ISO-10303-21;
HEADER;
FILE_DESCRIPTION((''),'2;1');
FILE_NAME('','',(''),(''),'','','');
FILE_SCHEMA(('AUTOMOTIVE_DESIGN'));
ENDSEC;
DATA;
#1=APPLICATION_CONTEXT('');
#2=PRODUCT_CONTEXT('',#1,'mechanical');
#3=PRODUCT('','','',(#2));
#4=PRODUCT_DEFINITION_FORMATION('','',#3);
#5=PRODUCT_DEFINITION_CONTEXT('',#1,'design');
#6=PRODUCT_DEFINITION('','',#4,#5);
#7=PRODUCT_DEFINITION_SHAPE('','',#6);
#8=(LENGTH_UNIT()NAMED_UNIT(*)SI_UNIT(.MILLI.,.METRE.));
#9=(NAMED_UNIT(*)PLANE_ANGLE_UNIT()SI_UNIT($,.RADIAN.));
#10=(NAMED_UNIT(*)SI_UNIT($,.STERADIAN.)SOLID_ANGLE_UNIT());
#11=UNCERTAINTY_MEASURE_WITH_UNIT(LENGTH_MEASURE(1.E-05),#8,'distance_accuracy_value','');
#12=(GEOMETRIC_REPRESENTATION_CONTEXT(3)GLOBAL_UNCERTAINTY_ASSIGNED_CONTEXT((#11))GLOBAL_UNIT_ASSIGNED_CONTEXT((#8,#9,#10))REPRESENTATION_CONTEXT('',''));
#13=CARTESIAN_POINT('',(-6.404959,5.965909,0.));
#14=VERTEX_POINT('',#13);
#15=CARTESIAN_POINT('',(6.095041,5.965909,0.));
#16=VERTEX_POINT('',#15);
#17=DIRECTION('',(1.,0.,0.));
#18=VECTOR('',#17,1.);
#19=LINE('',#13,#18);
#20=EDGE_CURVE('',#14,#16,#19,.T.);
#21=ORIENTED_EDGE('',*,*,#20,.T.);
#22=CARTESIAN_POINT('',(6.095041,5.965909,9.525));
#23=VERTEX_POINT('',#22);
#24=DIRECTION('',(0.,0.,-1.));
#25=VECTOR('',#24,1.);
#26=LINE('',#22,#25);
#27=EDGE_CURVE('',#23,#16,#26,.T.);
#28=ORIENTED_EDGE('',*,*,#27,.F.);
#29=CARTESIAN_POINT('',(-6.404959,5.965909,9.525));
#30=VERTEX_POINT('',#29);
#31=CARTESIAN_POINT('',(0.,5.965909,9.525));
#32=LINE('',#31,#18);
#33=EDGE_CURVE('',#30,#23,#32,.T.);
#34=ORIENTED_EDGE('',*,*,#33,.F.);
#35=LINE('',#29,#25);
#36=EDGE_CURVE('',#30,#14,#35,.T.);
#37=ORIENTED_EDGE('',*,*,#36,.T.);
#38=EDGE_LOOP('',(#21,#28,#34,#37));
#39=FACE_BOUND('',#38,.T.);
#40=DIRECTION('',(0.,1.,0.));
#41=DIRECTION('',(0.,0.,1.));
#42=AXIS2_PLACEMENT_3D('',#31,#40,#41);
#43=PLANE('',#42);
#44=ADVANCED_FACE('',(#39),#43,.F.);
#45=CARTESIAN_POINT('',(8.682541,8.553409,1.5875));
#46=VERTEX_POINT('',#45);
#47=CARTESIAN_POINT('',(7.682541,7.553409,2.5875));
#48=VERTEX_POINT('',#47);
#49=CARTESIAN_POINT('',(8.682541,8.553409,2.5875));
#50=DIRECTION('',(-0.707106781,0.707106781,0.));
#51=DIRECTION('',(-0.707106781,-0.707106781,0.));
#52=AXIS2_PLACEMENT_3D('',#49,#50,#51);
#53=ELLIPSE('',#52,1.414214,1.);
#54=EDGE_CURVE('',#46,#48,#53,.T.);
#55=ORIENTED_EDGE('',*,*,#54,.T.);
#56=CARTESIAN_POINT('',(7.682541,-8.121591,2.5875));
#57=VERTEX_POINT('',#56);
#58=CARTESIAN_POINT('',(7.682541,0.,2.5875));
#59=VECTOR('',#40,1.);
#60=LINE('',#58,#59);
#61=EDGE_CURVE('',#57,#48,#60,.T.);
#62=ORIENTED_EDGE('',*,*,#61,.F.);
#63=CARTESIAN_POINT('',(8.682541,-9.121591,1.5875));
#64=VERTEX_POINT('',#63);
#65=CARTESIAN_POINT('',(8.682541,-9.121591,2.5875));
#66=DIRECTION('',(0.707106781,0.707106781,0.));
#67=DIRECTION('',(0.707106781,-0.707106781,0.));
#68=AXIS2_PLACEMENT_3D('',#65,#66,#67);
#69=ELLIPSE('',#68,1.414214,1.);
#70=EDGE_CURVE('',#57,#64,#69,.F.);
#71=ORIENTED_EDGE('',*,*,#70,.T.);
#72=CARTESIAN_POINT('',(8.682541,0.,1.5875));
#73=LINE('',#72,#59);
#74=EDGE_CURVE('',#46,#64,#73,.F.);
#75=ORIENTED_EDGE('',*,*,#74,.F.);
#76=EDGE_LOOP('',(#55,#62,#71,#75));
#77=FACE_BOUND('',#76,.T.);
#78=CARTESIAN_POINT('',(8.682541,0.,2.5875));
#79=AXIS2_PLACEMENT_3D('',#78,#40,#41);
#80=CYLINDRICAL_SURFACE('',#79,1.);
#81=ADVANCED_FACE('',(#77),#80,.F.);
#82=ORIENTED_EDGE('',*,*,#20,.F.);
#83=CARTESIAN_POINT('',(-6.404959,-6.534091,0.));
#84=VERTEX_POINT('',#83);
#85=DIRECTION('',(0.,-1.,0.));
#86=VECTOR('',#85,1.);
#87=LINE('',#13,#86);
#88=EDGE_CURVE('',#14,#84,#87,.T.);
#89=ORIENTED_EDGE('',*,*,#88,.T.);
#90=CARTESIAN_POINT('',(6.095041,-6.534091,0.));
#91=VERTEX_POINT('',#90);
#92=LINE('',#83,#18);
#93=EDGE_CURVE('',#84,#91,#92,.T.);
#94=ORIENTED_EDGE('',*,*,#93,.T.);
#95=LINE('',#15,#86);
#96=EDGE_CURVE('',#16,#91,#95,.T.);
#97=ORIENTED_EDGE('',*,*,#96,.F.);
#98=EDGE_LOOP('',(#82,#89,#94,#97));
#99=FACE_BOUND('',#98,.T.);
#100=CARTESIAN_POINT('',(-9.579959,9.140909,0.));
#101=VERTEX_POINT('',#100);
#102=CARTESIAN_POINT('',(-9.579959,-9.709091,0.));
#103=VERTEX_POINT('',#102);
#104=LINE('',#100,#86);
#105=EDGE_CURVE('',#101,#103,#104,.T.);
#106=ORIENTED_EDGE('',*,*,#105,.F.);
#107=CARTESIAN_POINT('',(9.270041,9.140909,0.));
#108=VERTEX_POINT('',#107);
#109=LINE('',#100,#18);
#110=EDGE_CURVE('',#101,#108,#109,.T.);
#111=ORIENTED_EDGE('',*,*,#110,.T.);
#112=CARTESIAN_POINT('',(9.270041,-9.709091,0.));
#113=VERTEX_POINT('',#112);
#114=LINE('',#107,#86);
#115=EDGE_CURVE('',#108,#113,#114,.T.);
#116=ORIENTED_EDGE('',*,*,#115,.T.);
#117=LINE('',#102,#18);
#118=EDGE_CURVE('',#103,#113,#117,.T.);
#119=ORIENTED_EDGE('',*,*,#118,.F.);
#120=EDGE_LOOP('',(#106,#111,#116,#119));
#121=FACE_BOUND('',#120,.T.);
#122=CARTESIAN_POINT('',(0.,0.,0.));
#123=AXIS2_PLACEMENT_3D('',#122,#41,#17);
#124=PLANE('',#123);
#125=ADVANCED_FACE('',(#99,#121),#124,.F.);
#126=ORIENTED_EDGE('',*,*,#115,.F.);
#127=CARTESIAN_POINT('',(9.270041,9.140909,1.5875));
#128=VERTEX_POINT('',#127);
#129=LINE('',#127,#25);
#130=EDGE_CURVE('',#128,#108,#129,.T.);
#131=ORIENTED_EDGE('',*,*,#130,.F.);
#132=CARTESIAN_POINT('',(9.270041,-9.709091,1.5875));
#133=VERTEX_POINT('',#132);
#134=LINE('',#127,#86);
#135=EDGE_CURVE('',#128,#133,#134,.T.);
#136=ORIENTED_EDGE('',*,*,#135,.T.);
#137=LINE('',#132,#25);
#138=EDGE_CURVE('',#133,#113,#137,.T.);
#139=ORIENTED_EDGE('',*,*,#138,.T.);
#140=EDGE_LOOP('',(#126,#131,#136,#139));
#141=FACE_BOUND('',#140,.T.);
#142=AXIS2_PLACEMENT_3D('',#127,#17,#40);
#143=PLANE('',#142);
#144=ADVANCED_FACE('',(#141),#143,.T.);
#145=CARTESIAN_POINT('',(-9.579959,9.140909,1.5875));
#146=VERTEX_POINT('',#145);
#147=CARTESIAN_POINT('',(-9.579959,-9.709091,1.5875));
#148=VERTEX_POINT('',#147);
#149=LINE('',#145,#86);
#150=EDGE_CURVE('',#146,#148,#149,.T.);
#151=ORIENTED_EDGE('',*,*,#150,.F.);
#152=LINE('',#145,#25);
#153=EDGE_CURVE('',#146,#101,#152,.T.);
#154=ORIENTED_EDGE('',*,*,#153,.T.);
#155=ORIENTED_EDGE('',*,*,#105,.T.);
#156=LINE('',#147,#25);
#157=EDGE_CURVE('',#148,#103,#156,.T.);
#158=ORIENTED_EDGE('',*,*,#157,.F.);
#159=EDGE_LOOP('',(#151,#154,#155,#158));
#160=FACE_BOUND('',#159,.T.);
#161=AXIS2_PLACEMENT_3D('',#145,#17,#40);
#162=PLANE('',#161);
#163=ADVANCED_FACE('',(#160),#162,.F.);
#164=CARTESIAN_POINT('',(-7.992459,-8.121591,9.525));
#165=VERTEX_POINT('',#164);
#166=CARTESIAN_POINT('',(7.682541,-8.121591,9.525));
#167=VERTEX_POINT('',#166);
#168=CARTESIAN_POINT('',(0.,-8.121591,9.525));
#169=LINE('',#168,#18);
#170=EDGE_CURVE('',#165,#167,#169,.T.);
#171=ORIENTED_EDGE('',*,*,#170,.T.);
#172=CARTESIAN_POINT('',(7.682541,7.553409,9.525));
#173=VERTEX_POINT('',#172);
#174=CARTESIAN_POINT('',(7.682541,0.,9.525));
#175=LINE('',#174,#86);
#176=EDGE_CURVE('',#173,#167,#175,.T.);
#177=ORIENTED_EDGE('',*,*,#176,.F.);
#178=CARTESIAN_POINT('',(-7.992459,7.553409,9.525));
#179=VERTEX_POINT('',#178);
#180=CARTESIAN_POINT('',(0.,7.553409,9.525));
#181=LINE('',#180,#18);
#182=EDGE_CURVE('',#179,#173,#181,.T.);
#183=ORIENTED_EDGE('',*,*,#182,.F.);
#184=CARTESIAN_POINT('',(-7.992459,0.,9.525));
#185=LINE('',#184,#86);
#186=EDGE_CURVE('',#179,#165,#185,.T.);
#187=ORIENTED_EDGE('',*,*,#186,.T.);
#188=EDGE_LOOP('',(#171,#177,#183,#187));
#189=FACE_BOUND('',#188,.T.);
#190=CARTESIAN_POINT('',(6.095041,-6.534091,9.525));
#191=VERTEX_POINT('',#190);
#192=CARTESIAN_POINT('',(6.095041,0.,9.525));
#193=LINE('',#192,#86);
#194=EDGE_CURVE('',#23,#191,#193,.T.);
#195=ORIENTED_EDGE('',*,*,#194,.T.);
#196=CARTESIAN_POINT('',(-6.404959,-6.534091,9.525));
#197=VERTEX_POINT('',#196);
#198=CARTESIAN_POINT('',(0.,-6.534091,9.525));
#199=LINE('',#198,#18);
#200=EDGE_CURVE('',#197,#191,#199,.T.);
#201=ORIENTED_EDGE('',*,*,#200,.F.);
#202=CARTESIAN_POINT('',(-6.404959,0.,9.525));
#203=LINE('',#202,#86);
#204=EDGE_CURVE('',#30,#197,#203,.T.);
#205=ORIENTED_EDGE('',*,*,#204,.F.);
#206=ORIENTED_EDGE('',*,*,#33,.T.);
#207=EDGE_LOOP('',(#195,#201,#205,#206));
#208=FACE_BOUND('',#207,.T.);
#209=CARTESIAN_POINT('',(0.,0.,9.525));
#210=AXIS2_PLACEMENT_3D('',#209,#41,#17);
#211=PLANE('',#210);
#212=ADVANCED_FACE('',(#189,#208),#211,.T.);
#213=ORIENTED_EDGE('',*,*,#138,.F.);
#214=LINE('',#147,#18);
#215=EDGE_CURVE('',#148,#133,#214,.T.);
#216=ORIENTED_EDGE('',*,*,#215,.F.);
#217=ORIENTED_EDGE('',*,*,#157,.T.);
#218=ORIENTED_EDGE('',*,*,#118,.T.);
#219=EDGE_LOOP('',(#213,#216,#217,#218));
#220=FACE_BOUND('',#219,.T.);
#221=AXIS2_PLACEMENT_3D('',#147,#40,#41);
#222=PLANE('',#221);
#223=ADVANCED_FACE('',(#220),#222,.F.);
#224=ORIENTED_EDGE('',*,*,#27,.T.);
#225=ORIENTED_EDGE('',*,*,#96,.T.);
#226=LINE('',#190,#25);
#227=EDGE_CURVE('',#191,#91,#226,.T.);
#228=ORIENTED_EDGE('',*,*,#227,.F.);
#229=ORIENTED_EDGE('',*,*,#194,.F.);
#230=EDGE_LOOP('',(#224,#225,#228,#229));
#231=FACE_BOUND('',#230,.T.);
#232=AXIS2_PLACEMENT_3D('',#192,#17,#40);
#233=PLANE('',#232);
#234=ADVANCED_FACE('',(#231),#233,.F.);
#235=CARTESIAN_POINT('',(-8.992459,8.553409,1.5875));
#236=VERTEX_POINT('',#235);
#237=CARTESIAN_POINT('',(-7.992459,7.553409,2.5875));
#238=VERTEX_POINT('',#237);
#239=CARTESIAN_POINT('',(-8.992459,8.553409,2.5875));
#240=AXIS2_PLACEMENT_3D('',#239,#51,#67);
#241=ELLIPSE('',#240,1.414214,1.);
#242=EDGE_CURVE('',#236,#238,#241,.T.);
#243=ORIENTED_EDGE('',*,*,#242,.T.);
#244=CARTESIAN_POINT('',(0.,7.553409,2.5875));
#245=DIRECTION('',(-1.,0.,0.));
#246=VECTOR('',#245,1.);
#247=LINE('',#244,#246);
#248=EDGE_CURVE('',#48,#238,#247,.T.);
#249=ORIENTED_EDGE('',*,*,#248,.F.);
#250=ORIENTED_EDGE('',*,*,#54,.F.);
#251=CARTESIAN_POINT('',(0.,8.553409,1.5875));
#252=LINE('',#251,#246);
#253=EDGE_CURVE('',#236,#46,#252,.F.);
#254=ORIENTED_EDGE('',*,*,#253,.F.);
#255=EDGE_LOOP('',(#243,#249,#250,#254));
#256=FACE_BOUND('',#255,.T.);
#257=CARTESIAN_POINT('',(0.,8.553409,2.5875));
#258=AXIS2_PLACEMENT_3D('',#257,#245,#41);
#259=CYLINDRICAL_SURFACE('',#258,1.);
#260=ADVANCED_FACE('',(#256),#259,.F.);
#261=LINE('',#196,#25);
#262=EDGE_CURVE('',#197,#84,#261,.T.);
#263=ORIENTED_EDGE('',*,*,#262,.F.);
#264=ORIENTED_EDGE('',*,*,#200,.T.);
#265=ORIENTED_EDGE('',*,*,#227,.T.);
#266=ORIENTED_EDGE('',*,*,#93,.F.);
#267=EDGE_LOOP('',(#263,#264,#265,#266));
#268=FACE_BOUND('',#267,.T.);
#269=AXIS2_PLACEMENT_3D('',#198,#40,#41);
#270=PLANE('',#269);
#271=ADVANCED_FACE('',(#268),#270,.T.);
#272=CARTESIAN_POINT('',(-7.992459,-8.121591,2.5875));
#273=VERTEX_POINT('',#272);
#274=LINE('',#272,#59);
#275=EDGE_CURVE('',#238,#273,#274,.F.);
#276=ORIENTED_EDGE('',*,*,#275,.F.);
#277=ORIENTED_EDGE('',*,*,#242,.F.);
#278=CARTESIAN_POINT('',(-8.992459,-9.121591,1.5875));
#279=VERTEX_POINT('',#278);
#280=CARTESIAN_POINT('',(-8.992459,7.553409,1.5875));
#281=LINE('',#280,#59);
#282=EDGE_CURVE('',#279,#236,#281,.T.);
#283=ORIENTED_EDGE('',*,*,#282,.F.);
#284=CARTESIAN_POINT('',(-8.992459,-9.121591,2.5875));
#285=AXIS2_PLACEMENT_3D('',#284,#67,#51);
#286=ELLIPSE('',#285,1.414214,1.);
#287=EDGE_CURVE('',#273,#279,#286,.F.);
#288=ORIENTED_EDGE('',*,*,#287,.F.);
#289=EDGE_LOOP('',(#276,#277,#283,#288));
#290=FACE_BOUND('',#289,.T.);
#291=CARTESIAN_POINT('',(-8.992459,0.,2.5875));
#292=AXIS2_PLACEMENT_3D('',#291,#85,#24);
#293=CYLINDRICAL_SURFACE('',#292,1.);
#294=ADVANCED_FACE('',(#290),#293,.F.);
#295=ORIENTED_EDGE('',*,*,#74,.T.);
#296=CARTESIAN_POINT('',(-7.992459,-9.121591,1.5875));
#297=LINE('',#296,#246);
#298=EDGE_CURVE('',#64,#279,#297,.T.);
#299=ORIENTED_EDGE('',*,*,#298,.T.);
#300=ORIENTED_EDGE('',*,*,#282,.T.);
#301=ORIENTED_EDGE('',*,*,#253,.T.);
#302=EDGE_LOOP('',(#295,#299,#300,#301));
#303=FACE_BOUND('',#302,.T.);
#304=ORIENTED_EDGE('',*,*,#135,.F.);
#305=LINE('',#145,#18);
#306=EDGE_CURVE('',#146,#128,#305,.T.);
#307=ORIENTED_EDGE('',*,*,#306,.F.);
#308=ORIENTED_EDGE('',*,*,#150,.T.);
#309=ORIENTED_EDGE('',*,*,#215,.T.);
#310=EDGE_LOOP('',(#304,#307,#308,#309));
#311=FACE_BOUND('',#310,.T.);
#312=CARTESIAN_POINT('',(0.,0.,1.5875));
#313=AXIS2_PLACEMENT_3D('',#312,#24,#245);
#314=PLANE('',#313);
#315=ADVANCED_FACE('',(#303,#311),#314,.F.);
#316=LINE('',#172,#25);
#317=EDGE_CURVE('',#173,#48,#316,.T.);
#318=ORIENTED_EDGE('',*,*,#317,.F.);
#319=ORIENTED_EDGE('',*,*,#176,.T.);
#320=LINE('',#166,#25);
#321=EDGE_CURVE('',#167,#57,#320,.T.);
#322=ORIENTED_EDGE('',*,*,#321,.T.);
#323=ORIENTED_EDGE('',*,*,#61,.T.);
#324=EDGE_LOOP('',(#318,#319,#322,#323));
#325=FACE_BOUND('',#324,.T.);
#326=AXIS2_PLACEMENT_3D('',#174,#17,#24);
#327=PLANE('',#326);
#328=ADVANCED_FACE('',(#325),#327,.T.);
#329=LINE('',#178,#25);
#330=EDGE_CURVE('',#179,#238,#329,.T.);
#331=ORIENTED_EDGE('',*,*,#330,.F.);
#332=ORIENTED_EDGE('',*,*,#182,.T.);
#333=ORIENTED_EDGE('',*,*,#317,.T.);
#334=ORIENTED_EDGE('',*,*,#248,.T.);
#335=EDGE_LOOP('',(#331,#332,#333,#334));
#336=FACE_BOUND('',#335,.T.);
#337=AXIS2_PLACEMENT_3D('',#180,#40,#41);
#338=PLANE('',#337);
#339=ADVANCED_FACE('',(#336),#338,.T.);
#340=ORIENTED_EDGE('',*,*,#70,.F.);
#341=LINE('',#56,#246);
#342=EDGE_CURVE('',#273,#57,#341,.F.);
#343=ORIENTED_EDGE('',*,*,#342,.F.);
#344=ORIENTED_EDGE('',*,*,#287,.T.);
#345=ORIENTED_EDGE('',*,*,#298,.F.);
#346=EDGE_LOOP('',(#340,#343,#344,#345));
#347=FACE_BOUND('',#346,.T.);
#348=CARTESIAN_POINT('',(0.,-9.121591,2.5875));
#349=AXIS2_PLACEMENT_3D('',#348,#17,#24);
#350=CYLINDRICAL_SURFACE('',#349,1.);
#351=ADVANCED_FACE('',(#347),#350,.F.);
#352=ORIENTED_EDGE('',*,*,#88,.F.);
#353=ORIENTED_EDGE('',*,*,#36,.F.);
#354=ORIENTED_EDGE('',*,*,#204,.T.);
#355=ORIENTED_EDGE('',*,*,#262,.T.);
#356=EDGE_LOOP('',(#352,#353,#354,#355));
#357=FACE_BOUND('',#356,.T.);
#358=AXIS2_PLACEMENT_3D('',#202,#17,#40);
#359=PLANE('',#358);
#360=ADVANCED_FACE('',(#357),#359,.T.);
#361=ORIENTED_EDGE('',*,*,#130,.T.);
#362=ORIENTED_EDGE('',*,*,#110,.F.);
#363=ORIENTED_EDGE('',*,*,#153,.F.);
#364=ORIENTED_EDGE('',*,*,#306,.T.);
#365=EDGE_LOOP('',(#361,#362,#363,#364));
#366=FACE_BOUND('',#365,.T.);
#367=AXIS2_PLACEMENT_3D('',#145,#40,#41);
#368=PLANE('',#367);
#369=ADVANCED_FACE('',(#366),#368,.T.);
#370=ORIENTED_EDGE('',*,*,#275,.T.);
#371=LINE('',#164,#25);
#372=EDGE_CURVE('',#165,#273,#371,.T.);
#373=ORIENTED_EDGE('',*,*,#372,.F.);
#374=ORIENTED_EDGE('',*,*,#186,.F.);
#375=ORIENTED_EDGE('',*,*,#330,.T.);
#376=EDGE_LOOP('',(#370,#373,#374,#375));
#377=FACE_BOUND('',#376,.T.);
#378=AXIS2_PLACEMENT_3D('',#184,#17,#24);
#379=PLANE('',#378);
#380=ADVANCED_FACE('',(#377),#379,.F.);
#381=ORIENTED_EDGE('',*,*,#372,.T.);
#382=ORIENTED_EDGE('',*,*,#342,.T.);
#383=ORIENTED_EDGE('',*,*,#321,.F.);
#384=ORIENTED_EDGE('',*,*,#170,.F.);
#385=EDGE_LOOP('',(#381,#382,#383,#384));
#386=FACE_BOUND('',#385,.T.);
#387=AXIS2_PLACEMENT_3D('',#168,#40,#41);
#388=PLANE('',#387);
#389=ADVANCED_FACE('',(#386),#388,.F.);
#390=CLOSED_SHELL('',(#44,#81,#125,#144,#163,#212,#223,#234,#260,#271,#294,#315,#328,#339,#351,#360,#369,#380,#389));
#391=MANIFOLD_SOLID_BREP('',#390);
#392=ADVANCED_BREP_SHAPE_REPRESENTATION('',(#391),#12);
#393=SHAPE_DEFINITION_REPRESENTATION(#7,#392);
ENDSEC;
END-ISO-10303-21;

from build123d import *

# Parameters (mm, degrees)
SKETCH1_W           = 15.675
SKETCH1_H           = 15.675
SKETCH1_W_2         = 12.5
SKETCH1_H_2         = 12.5
BOSS_EXTRUDE2_DEPTH = 9.525
SKETCH1_7_W         = 18.85
SKETCH1_7_H         = 18.85
BOSS_EXTRUDE3_DEPTH = 1.5875
SKETCH1_8_W         = 12.5
SKETCH1_8_H         = 12.5
CUT_EXTRUDE3_DEPTH  = 17.636336121
FILLET4_R           = 1


with BuildPart() as part:
    # Sketch1 → Boss-Extrude2 (new body)
    with BuildSketch(Plane.XY):
        with Locations((-0.154958678, -0.284090909)):
            Rectangle(SKETCH1_W, SKETCH1_H)
        with Locations((-0.154958678, -0.284090909)):
            Rectangle(SKETCH1_W_2, SKETCH1_H_2, mode=Mode.SUBTRACT)
    extrude(amount=BOSS_EXTRUDE2_DEPTH)

    # Sketch1<7> → Boss-Extrude3 (add)
    with BuildSketch(Plane.XY):
        with Locations((-0.154958678, -0.284090909)):
            Rectangle(SKETCH1_7_W, SKETCH1_7_H)
    extrude(amount=BOSS_EXTRUDE3_DEPTH)

    # Sketch1<8> → Cut-Extrude3 (cut, through all)
    with BuildSketch(Plane.XY):
        with Locations((-0.154958678, -0.284090909)):
            Rectangle(SKETCH1_8_W, SKETCH1_8_H)
    extrude(amount=CUT_EXTRUDE3_DEPTH, mode=Mode.SUBTRACT)

    # Fillet4
    fillet4_edges = [part.edges().sort_by_distance(p)[0] for p in [
        (7.682541322, -0.284090909, 1.5875),
        (-0.154958678, 7.553409091, 1.5875),
        (-0.154958678, -8.121590909, 1.5875),
        (-7.992458678, -0.284090909, 1.5875),
    ]]
    fillet(fillet4_edges, radius=FILLET4_R)


solid = part.part
